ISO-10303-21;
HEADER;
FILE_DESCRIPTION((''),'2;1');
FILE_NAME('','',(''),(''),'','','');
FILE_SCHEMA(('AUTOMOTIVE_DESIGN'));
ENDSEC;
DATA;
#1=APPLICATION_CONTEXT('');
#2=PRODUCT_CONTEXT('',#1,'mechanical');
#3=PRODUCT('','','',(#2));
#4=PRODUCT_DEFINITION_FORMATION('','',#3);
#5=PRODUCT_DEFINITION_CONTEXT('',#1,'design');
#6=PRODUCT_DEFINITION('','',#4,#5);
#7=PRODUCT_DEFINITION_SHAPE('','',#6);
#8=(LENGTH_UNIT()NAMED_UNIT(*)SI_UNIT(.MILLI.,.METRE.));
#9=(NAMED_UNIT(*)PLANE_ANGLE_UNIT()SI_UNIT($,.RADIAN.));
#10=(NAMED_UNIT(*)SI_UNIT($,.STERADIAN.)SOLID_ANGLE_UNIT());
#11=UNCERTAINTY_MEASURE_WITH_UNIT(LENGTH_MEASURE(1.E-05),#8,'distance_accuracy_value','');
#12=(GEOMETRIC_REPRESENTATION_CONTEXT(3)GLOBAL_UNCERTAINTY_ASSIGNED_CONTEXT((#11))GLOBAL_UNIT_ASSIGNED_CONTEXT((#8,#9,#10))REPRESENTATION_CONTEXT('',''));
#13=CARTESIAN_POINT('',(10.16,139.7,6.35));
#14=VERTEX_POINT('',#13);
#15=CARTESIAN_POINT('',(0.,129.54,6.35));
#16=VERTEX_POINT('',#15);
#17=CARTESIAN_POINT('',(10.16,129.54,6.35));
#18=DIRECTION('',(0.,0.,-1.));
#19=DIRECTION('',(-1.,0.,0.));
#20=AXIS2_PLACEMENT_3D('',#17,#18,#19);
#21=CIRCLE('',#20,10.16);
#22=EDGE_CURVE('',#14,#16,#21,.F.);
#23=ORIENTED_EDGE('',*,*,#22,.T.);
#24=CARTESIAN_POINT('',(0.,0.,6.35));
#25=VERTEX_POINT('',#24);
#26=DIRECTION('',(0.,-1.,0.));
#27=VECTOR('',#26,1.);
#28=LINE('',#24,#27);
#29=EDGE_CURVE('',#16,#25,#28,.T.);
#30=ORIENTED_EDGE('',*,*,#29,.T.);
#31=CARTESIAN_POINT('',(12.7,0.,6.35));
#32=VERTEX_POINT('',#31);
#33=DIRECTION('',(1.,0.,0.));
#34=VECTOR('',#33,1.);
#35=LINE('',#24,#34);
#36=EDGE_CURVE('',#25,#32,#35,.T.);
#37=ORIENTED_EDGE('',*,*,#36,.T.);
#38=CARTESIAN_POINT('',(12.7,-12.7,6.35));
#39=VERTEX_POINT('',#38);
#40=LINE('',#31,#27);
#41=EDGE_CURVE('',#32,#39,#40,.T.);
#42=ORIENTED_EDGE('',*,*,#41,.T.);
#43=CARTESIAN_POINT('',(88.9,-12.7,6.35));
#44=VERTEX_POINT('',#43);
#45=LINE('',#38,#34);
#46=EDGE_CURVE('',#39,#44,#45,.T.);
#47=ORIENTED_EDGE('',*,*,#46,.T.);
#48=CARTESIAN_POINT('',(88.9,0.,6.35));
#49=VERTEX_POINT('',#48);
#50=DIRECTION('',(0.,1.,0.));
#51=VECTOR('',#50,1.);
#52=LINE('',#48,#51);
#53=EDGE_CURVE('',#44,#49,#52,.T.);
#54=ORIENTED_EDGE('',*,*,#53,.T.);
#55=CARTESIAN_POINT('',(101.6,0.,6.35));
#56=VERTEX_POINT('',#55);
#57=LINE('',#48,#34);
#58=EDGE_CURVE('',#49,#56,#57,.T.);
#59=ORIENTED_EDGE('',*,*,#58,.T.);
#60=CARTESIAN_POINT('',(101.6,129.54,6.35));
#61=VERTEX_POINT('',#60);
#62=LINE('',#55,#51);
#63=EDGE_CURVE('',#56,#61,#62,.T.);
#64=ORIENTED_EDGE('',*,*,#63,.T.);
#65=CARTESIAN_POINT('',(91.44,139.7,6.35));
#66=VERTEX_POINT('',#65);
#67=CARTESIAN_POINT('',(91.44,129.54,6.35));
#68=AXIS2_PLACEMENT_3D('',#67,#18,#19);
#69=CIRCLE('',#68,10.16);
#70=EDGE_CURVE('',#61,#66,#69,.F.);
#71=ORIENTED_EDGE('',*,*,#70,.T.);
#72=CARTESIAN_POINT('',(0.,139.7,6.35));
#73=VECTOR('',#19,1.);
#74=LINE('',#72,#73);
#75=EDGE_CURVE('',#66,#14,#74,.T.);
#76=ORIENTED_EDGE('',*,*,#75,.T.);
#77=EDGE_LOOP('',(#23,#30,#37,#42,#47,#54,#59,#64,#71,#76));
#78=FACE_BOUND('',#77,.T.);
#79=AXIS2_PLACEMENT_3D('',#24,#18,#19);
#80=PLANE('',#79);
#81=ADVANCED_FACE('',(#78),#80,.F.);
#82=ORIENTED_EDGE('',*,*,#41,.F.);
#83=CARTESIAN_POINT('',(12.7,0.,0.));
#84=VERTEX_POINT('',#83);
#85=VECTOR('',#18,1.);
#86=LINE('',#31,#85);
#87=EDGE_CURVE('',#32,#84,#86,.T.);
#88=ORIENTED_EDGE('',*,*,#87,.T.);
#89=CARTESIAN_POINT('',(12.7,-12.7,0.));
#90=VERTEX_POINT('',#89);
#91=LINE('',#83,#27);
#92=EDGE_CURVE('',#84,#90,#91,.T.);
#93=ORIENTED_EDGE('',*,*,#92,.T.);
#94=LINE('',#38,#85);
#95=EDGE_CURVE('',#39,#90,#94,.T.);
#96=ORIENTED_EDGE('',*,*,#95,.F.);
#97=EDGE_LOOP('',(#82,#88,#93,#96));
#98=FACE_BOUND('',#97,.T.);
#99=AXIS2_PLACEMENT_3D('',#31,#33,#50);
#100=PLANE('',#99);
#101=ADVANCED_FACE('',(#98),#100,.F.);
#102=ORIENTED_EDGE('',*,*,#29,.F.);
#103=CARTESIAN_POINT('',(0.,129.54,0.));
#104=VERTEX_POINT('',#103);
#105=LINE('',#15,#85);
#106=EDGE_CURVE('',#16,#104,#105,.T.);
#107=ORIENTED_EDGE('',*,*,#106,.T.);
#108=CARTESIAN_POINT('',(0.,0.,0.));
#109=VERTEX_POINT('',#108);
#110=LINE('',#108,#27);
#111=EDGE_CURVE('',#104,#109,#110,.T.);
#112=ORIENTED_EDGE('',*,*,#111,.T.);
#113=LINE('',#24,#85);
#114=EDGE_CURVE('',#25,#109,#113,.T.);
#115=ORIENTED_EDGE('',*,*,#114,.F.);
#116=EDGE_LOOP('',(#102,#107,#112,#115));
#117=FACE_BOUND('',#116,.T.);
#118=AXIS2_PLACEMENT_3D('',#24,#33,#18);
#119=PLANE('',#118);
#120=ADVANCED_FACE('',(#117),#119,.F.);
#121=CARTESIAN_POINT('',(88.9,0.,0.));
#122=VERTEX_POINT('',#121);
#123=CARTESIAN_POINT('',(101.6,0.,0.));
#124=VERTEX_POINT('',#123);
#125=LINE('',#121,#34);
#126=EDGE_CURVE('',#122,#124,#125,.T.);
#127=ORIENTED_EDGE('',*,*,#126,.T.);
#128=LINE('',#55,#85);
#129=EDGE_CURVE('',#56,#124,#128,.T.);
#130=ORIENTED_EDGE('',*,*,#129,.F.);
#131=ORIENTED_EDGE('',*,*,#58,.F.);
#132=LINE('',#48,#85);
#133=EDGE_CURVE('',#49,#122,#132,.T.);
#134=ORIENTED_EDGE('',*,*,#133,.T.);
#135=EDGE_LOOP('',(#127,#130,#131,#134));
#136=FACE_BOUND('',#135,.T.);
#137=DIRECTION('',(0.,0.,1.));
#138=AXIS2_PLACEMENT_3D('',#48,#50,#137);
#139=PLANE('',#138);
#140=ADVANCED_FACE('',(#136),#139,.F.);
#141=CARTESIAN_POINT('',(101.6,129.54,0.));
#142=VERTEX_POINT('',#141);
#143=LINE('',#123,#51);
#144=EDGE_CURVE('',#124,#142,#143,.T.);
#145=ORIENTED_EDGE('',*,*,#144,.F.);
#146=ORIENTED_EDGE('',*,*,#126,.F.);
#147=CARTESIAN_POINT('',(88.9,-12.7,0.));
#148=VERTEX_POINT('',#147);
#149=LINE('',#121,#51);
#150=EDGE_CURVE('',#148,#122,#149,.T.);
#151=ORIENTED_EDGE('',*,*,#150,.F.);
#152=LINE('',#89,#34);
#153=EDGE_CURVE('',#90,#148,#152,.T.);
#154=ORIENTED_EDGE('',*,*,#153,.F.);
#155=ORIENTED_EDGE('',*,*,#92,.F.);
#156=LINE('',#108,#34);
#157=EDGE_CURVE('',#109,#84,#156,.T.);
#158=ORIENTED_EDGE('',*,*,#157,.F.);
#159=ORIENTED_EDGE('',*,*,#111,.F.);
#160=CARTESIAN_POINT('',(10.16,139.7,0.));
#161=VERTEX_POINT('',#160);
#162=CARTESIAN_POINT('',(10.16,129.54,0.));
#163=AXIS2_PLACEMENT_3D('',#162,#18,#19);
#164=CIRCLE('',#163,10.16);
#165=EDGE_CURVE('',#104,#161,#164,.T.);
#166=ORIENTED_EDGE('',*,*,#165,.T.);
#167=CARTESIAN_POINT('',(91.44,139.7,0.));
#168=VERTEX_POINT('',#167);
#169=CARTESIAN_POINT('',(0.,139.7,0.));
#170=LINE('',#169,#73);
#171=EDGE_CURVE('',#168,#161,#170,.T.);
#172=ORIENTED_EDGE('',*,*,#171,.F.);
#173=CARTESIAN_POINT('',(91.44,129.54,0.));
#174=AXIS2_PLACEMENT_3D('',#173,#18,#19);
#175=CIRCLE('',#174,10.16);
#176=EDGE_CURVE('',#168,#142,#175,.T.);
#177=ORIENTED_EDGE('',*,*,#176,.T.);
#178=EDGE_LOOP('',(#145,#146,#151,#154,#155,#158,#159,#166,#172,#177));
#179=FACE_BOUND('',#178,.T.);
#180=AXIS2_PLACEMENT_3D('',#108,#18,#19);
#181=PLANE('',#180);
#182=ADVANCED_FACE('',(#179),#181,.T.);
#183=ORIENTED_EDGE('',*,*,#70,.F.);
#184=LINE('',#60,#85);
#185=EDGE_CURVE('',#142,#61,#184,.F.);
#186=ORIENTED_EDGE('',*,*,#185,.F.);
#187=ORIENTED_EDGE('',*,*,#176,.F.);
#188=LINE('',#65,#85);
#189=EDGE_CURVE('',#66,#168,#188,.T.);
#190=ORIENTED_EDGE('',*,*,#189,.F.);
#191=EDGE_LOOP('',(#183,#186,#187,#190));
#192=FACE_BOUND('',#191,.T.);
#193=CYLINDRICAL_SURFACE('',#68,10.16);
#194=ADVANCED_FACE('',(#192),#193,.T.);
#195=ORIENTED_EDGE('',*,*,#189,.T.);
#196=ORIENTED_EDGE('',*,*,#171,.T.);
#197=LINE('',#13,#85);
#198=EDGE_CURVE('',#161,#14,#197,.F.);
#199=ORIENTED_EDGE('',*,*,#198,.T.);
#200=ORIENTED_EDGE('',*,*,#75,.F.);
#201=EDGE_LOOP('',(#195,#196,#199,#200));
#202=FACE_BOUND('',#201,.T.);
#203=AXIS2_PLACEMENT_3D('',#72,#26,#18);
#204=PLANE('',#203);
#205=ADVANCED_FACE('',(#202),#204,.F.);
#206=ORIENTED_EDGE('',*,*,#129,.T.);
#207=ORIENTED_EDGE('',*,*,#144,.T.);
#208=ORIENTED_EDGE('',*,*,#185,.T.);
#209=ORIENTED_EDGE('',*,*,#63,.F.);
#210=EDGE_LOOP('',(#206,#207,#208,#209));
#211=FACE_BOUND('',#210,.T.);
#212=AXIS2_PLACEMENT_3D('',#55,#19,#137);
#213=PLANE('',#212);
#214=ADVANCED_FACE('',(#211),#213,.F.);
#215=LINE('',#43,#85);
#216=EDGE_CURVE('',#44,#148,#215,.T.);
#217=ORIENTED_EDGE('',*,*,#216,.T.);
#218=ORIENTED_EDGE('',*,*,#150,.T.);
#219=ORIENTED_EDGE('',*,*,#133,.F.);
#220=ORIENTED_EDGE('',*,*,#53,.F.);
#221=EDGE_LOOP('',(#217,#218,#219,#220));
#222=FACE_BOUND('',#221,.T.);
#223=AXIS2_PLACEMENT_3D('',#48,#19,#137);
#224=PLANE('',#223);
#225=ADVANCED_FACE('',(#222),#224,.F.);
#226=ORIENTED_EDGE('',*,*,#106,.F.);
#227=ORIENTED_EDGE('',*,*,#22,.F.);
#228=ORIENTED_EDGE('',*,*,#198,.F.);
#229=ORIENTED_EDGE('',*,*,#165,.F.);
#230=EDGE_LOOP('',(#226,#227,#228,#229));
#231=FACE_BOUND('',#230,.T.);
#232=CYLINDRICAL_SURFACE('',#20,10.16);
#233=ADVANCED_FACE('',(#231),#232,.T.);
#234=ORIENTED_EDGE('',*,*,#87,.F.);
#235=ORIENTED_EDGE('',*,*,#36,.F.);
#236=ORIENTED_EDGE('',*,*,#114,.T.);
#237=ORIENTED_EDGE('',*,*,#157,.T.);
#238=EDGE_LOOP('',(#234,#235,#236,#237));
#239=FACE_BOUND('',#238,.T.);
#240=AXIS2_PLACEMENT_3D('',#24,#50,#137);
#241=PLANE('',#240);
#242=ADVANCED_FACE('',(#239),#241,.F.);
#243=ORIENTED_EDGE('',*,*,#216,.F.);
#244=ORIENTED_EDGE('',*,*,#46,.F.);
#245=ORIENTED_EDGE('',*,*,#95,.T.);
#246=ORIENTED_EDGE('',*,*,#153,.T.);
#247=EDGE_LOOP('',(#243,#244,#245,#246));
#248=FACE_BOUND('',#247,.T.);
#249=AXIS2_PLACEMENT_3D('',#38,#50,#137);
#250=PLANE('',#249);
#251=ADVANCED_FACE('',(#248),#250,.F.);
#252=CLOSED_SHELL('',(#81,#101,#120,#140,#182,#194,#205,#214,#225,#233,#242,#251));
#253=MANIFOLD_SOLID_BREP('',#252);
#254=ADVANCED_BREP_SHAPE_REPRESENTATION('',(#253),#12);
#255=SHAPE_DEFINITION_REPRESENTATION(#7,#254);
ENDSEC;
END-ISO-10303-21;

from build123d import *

# Parameters (mm, degrees)
BOSS_EXTRUDE1_DEPTH = 6.35
FILLET1_R           = 10.16


with BuildPart() as part:
    # Sketch1 → Boss-Extrude1 (new body)
    with BuildSketch(Plane.XY):
        Polygon((88.9, 0), (101.6, 0), (101.6, 139.7), (0, 139.7), (0, 0), (12.7, 0), (12.7, -12.7), (88.9, -12.7), align=None)
    extrude(amount=BOSS_EXTRUDE1_DEPTH)

    # Fillet1
    fillet1_edges = [part.edges().sort_by_distance(p)[0] for p in [
        (0, 139.7, 3.175),
        (101.6, 139.7, 3.175),
    ]]
    fillet(fillet1_edges, radius=FILLET1_R)


solid = part.part
